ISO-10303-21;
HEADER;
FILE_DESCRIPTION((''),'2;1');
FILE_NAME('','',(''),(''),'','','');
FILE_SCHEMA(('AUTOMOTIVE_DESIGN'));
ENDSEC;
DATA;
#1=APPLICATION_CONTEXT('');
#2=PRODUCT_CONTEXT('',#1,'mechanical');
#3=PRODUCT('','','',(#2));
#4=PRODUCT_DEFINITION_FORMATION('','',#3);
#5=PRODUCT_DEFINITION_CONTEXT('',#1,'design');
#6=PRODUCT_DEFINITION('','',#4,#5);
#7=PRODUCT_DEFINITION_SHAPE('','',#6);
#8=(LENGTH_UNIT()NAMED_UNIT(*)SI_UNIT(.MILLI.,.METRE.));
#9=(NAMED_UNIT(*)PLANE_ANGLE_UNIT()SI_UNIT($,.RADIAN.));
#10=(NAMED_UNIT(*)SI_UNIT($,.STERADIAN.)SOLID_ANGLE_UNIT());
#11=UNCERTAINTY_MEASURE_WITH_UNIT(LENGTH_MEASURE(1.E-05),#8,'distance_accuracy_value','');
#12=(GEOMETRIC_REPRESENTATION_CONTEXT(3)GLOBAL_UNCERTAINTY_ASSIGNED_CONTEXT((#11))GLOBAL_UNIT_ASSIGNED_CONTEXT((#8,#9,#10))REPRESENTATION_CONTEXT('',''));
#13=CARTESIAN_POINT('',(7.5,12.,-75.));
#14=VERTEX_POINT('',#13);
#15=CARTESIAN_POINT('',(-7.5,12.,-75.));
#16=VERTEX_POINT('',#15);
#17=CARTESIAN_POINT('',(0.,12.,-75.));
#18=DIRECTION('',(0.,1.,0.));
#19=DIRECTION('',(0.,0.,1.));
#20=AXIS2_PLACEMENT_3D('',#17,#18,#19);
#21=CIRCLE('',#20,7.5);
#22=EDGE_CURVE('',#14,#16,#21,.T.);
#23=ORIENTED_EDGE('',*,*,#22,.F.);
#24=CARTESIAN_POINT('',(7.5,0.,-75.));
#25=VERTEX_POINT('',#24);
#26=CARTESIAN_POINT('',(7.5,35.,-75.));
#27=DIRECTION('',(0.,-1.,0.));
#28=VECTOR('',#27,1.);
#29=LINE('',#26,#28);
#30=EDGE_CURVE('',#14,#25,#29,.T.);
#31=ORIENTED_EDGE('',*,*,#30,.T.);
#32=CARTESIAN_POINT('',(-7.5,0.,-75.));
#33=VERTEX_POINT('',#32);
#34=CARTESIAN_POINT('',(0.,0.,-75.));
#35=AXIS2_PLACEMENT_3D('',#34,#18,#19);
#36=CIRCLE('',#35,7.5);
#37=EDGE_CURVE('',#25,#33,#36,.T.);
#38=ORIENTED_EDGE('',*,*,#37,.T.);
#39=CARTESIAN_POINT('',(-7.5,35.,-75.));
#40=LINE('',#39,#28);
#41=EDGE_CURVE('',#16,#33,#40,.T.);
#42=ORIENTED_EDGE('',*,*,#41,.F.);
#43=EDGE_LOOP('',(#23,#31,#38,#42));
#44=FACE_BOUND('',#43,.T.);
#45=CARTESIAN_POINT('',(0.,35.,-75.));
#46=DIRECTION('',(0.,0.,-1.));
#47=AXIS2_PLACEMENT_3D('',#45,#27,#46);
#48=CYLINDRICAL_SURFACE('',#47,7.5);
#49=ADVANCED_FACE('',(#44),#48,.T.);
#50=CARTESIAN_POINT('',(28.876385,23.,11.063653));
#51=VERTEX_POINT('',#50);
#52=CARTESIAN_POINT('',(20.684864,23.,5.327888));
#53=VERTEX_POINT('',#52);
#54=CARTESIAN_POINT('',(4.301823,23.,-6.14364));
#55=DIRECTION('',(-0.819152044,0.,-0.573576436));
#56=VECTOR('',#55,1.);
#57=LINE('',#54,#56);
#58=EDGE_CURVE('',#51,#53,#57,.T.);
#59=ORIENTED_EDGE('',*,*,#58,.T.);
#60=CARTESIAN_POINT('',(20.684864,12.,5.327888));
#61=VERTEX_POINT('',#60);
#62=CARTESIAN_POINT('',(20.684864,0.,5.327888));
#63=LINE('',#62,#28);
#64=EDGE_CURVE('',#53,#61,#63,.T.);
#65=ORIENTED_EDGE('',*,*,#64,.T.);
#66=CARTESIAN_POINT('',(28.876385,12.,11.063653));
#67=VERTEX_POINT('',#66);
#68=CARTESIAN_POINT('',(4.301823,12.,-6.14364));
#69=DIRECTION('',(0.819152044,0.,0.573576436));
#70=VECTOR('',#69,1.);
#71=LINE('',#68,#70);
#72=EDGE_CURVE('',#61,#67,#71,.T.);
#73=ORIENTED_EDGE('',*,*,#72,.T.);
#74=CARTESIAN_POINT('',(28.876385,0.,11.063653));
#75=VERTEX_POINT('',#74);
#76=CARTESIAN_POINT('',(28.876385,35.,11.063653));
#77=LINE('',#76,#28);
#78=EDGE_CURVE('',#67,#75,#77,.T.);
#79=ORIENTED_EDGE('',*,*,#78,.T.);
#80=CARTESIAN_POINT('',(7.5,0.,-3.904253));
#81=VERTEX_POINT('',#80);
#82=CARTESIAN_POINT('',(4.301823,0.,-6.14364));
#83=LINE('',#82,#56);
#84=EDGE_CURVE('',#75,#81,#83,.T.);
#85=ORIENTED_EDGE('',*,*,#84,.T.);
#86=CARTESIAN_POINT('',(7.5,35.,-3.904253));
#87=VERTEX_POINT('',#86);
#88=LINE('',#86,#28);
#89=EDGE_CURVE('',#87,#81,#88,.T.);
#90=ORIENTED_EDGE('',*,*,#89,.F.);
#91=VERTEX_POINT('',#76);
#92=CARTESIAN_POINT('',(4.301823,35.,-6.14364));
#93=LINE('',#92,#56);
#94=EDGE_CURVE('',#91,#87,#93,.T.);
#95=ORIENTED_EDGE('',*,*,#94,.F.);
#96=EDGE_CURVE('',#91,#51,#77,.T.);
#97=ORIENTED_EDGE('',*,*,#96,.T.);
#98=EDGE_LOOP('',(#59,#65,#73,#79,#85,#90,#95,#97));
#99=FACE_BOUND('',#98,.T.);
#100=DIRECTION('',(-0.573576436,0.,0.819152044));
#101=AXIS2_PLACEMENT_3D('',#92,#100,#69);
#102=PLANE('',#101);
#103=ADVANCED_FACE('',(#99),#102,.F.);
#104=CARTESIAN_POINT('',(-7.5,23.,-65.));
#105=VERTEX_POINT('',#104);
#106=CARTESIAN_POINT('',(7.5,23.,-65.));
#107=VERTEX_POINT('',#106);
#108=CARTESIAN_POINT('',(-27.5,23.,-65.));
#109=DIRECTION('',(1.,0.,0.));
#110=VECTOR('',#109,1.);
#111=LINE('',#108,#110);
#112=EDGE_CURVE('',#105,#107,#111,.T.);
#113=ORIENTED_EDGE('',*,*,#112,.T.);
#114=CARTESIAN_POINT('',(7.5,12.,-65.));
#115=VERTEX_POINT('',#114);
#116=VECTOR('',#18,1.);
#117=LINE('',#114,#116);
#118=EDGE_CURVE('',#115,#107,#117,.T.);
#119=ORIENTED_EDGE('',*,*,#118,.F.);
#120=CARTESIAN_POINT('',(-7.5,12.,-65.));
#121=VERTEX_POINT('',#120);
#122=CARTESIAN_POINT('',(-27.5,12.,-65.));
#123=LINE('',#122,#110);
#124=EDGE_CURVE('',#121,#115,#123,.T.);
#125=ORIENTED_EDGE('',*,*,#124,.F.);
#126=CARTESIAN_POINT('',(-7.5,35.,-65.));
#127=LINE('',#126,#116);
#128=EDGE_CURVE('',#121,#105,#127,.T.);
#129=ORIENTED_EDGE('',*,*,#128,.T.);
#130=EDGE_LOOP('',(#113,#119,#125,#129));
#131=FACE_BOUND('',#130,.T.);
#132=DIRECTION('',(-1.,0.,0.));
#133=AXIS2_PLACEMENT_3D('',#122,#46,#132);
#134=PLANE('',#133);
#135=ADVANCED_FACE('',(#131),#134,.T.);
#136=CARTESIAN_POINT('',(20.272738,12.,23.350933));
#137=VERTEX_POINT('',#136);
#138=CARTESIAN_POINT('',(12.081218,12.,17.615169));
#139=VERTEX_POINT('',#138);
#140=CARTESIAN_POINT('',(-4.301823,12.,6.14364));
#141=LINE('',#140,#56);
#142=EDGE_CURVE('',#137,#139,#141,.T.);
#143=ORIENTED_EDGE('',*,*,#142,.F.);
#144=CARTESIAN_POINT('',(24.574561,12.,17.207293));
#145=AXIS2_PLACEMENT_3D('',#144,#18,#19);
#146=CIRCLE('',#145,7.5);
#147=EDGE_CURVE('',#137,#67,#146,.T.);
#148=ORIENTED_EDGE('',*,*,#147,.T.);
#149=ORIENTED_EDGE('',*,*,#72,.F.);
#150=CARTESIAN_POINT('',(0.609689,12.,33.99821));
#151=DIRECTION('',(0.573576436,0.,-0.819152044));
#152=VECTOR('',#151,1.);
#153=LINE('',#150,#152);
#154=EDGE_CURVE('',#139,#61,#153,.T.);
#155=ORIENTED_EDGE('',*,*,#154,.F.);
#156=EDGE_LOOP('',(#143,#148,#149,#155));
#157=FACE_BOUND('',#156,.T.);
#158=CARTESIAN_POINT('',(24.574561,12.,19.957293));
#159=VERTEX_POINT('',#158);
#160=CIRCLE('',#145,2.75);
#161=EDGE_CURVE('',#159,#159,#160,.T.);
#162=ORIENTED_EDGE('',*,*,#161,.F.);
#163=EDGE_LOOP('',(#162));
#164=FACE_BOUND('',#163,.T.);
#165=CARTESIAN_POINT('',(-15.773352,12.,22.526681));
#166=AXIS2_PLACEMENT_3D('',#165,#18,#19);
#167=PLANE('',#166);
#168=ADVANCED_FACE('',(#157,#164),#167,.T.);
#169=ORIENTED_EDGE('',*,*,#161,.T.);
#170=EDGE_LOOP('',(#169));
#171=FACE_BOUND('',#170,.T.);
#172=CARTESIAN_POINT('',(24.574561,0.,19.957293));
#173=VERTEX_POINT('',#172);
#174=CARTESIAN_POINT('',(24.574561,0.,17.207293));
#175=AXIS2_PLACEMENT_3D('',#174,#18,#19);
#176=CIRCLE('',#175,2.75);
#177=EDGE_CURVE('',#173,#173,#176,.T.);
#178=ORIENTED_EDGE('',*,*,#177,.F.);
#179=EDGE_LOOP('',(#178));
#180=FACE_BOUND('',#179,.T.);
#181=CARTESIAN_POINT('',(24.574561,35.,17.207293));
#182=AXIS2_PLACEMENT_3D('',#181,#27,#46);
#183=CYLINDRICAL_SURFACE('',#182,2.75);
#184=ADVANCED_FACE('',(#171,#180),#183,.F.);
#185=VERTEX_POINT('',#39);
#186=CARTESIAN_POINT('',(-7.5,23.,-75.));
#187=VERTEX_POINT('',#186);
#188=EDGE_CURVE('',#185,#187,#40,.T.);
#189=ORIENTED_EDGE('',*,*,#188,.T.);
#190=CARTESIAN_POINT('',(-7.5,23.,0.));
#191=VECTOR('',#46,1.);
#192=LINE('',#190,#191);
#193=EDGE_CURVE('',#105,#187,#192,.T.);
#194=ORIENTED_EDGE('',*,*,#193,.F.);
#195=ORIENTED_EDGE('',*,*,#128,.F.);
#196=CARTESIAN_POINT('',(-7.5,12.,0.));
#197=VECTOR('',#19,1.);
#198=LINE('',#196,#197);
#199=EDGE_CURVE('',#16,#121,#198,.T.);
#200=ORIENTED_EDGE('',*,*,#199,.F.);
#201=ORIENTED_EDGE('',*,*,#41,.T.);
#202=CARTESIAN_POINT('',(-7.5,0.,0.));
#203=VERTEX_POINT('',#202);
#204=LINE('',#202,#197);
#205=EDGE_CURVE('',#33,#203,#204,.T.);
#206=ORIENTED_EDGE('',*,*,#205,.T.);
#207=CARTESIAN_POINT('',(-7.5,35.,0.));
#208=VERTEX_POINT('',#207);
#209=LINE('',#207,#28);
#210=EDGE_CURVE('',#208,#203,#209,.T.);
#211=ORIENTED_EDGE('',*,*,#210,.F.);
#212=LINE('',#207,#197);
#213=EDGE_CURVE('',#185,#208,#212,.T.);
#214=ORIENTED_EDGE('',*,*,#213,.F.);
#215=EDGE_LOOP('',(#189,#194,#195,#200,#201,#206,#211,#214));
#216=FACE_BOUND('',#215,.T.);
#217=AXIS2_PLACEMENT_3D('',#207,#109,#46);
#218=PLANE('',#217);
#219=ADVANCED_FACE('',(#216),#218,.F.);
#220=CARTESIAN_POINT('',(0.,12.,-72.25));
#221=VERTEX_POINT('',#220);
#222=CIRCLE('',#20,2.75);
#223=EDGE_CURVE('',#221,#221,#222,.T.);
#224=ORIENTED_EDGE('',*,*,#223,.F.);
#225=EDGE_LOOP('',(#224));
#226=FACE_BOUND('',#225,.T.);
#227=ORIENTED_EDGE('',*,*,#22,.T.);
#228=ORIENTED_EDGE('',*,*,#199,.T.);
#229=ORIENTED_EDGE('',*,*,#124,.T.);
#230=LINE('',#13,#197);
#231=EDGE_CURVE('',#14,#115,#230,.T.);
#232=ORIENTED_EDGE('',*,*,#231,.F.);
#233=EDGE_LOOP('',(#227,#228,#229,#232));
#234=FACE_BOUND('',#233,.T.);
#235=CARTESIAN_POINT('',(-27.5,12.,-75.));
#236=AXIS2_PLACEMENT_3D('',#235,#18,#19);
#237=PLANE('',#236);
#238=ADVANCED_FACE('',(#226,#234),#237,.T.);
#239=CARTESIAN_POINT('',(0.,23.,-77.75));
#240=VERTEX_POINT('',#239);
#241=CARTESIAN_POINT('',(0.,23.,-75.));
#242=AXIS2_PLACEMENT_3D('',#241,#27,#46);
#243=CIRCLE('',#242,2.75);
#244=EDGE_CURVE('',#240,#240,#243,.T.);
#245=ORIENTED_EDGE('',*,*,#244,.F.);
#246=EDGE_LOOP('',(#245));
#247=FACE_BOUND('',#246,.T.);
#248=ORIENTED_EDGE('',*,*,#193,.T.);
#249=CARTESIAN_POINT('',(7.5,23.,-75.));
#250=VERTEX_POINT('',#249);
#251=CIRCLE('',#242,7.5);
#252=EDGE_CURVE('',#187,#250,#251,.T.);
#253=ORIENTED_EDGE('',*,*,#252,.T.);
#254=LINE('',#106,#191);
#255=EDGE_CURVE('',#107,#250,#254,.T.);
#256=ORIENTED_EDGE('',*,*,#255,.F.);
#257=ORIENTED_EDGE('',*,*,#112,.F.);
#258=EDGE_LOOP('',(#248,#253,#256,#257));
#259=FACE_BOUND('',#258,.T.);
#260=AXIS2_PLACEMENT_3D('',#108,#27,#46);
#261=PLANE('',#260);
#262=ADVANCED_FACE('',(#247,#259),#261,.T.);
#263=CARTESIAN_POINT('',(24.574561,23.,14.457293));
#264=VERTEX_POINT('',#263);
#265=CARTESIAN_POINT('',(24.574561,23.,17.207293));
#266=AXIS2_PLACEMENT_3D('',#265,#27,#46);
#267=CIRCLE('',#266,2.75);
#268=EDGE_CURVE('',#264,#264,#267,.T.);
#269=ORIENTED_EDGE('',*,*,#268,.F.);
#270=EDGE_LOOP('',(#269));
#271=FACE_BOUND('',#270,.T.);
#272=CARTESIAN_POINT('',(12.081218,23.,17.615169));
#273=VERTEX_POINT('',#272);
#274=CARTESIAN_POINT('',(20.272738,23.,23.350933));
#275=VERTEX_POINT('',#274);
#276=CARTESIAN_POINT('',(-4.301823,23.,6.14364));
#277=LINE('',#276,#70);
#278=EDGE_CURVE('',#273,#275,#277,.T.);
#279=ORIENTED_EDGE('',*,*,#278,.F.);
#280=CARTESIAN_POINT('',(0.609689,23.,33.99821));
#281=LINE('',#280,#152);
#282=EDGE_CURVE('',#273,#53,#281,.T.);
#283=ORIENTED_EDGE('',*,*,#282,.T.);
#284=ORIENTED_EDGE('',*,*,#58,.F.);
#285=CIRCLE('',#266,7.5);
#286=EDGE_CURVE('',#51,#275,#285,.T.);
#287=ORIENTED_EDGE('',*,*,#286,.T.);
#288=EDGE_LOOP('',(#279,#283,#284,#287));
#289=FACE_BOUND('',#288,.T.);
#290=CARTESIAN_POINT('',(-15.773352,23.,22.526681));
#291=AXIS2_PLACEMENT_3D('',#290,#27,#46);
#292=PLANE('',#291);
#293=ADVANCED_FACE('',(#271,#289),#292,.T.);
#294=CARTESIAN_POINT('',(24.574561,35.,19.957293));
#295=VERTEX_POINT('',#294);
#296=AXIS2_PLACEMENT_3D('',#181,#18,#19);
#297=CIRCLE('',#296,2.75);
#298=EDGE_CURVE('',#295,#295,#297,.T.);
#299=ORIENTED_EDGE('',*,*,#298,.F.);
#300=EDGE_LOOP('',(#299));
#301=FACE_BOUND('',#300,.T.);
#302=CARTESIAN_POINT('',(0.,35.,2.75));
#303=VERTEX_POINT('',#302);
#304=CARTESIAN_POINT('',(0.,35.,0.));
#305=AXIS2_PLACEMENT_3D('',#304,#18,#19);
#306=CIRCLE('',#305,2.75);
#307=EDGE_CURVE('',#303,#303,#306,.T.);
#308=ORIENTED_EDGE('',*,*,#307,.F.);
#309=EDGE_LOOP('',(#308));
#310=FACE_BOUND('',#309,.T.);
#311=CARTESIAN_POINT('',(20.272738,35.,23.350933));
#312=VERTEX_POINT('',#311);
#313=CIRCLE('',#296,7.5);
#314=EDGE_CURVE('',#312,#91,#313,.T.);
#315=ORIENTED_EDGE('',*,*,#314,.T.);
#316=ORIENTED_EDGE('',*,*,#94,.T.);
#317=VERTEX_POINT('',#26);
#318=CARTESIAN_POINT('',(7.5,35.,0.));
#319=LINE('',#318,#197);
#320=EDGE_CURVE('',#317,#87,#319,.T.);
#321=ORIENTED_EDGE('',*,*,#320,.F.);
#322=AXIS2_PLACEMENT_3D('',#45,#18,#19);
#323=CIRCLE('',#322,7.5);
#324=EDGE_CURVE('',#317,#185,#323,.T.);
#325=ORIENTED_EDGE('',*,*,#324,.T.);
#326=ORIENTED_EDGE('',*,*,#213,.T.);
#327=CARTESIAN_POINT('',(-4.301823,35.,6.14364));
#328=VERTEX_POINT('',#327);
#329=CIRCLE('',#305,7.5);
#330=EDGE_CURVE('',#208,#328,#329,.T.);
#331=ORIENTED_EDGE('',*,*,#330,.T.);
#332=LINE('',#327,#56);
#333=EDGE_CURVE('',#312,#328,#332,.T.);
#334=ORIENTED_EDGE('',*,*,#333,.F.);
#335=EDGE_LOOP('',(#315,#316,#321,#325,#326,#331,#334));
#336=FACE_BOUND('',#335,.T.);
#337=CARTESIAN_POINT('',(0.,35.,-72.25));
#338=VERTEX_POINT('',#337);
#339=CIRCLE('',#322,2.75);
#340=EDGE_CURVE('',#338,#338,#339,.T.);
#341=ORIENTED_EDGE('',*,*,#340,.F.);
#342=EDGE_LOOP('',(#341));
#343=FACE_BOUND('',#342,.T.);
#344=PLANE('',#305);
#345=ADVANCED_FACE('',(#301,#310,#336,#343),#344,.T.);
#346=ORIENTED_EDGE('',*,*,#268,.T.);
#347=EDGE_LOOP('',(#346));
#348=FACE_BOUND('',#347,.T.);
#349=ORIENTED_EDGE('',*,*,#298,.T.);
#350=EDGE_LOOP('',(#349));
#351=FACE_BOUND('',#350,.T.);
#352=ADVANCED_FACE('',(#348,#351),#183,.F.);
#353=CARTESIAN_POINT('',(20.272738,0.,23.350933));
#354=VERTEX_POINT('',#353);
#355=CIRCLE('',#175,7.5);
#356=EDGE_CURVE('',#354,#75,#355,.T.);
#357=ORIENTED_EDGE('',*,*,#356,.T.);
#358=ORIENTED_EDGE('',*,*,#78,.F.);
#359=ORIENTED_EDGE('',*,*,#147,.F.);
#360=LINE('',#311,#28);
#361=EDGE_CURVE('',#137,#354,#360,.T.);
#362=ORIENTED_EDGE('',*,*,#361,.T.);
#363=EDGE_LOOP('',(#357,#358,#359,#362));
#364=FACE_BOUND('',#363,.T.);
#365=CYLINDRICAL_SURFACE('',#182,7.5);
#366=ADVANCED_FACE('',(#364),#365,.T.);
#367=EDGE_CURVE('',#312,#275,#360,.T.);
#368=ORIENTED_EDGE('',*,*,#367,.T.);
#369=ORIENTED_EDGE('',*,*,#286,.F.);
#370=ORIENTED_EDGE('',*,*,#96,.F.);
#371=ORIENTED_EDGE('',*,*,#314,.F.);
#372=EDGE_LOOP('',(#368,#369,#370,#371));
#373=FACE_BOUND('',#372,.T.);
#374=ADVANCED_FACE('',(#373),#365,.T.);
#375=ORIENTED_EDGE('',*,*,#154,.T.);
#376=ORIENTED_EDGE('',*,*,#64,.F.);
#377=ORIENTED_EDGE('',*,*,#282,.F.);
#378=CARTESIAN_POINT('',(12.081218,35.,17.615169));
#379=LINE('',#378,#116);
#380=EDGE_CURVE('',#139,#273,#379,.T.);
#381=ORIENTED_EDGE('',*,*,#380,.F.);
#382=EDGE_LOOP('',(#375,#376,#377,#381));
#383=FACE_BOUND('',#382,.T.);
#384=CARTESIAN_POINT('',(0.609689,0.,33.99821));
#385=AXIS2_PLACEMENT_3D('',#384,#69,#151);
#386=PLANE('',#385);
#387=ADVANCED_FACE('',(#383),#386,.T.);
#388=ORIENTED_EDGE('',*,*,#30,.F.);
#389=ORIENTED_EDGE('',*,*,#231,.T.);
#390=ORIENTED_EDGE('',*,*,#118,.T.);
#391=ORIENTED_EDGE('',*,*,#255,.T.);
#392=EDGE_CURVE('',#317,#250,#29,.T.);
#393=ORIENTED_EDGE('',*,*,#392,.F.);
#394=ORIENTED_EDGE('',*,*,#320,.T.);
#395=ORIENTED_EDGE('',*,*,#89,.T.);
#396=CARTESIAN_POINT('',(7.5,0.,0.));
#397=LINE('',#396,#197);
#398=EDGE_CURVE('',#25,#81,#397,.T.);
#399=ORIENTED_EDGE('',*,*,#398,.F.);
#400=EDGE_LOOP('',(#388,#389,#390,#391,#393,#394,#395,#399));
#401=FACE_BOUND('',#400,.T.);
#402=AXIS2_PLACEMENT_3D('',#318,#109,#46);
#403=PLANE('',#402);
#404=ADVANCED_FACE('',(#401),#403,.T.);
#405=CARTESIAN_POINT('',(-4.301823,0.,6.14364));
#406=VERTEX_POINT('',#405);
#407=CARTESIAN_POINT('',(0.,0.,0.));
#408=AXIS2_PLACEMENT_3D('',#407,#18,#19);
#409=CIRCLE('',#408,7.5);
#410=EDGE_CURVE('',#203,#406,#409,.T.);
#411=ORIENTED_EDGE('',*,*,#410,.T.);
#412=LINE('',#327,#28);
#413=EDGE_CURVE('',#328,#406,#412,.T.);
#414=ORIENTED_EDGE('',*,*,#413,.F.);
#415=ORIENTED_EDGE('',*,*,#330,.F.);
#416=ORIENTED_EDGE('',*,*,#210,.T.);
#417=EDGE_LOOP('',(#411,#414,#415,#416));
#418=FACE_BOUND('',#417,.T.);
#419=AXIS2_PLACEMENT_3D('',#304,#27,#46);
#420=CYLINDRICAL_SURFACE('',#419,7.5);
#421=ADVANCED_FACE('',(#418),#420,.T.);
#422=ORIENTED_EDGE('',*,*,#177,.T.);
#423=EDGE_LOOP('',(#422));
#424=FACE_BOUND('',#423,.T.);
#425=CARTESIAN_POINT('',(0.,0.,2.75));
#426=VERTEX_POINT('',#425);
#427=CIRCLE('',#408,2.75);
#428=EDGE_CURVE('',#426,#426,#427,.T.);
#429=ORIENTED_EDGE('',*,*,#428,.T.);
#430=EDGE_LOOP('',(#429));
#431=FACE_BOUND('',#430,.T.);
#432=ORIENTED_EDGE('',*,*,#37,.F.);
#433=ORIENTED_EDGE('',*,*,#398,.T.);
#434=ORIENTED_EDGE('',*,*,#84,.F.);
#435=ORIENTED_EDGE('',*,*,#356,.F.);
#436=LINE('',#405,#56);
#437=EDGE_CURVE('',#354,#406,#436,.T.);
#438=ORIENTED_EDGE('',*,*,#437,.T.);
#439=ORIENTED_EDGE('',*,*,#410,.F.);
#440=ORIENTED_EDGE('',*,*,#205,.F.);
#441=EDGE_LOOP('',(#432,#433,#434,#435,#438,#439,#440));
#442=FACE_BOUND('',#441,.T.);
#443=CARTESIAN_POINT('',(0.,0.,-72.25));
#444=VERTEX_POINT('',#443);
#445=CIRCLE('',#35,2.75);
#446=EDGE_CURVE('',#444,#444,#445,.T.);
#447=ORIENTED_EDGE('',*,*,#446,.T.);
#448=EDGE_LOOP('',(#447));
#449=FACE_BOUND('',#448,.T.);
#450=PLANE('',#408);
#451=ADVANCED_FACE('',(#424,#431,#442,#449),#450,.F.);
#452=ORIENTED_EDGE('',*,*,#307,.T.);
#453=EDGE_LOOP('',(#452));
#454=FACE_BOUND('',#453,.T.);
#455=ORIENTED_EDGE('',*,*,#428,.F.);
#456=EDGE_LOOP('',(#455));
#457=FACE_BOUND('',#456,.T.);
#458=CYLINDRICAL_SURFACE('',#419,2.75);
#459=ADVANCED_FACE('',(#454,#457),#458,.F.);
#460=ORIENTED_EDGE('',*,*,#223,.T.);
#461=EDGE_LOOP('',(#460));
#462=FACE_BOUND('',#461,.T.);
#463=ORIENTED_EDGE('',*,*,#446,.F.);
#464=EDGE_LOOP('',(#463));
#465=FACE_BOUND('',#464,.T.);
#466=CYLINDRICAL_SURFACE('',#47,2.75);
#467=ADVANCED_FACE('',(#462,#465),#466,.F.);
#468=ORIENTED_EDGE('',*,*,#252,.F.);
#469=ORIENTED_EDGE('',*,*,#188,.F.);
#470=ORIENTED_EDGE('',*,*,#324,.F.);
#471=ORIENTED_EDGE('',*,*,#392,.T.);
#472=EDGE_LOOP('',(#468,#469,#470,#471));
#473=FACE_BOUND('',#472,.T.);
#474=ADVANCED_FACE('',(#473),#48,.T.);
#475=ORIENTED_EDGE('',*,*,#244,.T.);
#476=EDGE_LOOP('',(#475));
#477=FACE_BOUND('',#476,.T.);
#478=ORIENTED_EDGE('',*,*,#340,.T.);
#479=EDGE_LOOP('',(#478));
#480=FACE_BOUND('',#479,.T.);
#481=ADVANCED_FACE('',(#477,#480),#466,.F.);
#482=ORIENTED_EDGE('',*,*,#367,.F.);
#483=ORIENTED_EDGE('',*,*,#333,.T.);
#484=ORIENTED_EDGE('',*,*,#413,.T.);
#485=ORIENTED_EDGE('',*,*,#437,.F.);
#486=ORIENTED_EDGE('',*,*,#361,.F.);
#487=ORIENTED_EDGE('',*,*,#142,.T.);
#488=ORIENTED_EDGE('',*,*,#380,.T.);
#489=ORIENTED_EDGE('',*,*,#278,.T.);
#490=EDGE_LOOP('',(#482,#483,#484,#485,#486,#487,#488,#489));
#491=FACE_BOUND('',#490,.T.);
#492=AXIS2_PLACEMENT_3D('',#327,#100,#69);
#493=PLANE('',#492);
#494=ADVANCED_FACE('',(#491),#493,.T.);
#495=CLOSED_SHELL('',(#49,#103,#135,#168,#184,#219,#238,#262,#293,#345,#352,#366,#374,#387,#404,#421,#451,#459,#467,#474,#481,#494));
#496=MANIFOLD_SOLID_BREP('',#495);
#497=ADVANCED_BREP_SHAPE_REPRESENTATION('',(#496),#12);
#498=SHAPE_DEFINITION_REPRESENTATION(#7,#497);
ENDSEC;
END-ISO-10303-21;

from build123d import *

# Parameters (mm, degrees)
SKETCH2_R           = 2.75
BOSS_EXTRUDE2_DEPTH = 35
CUT_EXTRUDE1_DEPTH  = 35
CUT_EXTRUDE2_DEPTH  = 35


with BuildPart() as part:
    # Sketch2 → Boss-Extrude2 (new body)
    with BuildSketch(Plane(origin=(0, 0, 0), x_dir=(1, 0, 0), z_dir=(0, 1, 0))):
        with BuildLine():
            Line((7.5, 3.904252879), (7.5, 75))
            ThreePointArc((7.5, 75), (0, 82.5), (-7.5, 75))
            Line((-7.5, 75), (-7.5, 0))
            ThreePointArc((-7.5, 0), (-6.652581249, -3.463114599), (-4.301823273, -6.143640332))
            Line((-4.301823273, -6.143640332), (20.272738056, -23.350933423))
            ThreePointArc((20.272738056, -23.350933423), (30.718201661, -21.509116363), (28.876384601, -11.063652758))
            Line((28.876384601, -11.063652758), (7.5, 3.904252879))
        make_face()
        Circle(SKETCH2_R, mode=Mode.SUBTRACT)
        with Locations((0, 75)):
            Circle(SKETCH2_R, mode=Mode.SUBTRACT)
        with Locations((24.574561329, -17.207293091)):
            Circle(SKETCH2_R, mode=Mode.SUBTRACT)
    extrude(amount=BOSS_EXTRUDE2_DEPTH)

    # Sketch3 → Cut-Extrude1 (cut)
    with BuildSketch(Plane(origin=(7.5, 0, 0), x_dir=(0, 0, -1), z_dir=(1, 0, 0))):
        Polygon((75, 12), (65, 12), (65, 23), (87.183204073, 23), (87.183204073, 12), align=None)
    extrude(amount=-CUT_EXTRUDE1_DEPTH, mode=Mode.SUBTRACT)

    # Sketch4 → Cut-Extrude2 (cut)
    with BuildSketch(Plane(origin=(4.301823273, 0, -6.143640332), x_dir=(-0.819152044, 0, -0.573576436), z_dir=(0.573576436, 0, -0.819152044))):
        Polygon((-30, 12), (-30, 17.5), (-30, 23), (-43.630298532, 23), (-43.630298532, 12), align=None)
        Polygon((-30, 23), (-30, 17.5), (-30, 12), (-20, 12), (-20, 23), align=None)
    extrude(amount=-CUT_EXTRUDE2_DEPTH, mode=Mode.SUBTRACT)


solid = part.part
